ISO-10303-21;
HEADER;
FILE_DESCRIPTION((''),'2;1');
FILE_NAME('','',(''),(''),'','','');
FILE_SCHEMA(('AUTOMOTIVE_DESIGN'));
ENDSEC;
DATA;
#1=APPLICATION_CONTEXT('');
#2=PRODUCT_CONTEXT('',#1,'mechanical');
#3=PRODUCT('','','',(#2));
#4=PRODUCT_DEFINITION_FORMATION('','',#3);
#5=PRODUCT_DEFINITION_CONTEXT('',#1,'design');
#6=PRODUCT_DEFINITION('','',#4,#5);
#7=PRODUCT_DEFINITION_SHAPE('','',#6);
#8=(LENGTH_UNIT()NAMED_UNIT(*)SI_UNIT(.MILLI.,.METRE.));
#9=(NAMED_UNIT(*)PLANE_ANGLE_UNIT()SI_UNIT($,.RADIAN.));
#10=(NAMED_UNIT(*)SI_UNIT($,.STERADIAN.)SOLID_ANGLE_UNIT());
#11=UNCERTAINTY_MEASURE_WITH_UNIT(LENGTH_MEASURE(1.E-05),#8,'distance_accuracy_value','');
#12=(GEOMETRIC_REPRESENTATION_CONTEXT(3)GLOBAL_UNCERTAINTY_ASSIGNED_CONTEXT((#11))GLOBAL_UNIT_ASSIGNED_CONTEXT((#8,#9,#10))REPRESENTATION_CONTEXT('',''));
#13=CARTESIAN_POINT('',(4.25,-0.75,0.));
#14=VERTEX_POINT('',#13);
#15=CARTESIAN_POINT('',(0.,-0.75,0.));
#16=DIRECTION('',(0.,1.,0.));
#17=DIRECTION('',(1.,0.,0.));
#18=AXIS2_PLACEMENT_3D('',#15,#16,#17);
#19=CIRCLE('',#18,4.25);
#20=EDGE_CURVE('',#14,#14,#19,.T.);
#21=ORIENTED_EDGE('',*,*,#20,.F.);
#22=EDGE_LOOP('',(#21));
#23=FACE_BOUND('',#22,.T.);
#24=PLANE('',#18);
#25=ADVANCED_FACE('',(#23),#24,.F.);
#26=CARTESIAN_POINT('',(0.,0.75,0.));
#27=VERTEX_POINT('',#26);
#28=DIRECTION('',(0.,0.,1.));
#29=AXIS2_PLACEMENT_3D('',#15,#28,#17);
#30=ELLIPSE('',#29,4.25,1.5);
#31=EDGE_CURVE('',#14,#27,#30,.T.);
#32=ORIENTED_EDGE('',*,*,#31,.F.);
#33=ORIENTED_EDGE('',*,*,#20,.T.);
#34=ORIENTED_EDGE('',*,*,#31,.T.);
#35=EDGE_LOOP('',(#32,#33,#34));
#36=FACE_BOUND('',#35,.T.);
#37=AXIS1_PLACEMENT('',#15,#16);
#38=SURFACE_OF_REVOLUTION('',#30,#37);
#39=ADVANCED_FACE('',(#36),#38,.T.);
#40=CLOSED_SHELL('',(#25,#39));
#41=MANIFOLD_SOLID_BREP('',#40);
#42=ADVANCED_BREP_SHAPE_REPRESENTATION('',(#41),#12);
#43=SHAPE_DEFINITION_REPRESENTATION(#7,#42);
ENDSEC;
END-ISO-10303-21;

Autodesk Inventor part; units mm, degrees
ref_plane "YZ Plane" through (0, 0, 0) normal (1, 0, 0) x (0, 1, 0)
ref_plane "XZ Plane" through (0, 0, 0) normal (0, 1, 0) x (-1, 0, 0)
ref_plane "XY Plane" through (0, 0, 0) normal (0, 0, 1) x (1, 0, 0)
sketch "Sketch4" plane through (0, 0, 0) normal (0, 0, 1) x (1, 0, 0)
  ellipse E0 centre (0, -0.75) end of major axis (4.25, -0.75) minor radius 1.5 (4.25, -0.75) -> (0, 0.75) ccw
  line L0 (0, -0.75) -> (0, 0.75)
  line L1 (0, -1.1605) -> (0, 1.713) projected
  line L2 (0, -0.75) -> (4.25, -0.75)
  point P0 (0, 0)
  dimension "d9" = 1.5
  dimension "d10" = 8.5
revolve "Revolution1" add sketch "Sketch4" angle 360 about axis through (0, -0.75, 0) along (0, 1, 0)
properties part number "Manfrotto Logo 01 - 2" material "Glass"
